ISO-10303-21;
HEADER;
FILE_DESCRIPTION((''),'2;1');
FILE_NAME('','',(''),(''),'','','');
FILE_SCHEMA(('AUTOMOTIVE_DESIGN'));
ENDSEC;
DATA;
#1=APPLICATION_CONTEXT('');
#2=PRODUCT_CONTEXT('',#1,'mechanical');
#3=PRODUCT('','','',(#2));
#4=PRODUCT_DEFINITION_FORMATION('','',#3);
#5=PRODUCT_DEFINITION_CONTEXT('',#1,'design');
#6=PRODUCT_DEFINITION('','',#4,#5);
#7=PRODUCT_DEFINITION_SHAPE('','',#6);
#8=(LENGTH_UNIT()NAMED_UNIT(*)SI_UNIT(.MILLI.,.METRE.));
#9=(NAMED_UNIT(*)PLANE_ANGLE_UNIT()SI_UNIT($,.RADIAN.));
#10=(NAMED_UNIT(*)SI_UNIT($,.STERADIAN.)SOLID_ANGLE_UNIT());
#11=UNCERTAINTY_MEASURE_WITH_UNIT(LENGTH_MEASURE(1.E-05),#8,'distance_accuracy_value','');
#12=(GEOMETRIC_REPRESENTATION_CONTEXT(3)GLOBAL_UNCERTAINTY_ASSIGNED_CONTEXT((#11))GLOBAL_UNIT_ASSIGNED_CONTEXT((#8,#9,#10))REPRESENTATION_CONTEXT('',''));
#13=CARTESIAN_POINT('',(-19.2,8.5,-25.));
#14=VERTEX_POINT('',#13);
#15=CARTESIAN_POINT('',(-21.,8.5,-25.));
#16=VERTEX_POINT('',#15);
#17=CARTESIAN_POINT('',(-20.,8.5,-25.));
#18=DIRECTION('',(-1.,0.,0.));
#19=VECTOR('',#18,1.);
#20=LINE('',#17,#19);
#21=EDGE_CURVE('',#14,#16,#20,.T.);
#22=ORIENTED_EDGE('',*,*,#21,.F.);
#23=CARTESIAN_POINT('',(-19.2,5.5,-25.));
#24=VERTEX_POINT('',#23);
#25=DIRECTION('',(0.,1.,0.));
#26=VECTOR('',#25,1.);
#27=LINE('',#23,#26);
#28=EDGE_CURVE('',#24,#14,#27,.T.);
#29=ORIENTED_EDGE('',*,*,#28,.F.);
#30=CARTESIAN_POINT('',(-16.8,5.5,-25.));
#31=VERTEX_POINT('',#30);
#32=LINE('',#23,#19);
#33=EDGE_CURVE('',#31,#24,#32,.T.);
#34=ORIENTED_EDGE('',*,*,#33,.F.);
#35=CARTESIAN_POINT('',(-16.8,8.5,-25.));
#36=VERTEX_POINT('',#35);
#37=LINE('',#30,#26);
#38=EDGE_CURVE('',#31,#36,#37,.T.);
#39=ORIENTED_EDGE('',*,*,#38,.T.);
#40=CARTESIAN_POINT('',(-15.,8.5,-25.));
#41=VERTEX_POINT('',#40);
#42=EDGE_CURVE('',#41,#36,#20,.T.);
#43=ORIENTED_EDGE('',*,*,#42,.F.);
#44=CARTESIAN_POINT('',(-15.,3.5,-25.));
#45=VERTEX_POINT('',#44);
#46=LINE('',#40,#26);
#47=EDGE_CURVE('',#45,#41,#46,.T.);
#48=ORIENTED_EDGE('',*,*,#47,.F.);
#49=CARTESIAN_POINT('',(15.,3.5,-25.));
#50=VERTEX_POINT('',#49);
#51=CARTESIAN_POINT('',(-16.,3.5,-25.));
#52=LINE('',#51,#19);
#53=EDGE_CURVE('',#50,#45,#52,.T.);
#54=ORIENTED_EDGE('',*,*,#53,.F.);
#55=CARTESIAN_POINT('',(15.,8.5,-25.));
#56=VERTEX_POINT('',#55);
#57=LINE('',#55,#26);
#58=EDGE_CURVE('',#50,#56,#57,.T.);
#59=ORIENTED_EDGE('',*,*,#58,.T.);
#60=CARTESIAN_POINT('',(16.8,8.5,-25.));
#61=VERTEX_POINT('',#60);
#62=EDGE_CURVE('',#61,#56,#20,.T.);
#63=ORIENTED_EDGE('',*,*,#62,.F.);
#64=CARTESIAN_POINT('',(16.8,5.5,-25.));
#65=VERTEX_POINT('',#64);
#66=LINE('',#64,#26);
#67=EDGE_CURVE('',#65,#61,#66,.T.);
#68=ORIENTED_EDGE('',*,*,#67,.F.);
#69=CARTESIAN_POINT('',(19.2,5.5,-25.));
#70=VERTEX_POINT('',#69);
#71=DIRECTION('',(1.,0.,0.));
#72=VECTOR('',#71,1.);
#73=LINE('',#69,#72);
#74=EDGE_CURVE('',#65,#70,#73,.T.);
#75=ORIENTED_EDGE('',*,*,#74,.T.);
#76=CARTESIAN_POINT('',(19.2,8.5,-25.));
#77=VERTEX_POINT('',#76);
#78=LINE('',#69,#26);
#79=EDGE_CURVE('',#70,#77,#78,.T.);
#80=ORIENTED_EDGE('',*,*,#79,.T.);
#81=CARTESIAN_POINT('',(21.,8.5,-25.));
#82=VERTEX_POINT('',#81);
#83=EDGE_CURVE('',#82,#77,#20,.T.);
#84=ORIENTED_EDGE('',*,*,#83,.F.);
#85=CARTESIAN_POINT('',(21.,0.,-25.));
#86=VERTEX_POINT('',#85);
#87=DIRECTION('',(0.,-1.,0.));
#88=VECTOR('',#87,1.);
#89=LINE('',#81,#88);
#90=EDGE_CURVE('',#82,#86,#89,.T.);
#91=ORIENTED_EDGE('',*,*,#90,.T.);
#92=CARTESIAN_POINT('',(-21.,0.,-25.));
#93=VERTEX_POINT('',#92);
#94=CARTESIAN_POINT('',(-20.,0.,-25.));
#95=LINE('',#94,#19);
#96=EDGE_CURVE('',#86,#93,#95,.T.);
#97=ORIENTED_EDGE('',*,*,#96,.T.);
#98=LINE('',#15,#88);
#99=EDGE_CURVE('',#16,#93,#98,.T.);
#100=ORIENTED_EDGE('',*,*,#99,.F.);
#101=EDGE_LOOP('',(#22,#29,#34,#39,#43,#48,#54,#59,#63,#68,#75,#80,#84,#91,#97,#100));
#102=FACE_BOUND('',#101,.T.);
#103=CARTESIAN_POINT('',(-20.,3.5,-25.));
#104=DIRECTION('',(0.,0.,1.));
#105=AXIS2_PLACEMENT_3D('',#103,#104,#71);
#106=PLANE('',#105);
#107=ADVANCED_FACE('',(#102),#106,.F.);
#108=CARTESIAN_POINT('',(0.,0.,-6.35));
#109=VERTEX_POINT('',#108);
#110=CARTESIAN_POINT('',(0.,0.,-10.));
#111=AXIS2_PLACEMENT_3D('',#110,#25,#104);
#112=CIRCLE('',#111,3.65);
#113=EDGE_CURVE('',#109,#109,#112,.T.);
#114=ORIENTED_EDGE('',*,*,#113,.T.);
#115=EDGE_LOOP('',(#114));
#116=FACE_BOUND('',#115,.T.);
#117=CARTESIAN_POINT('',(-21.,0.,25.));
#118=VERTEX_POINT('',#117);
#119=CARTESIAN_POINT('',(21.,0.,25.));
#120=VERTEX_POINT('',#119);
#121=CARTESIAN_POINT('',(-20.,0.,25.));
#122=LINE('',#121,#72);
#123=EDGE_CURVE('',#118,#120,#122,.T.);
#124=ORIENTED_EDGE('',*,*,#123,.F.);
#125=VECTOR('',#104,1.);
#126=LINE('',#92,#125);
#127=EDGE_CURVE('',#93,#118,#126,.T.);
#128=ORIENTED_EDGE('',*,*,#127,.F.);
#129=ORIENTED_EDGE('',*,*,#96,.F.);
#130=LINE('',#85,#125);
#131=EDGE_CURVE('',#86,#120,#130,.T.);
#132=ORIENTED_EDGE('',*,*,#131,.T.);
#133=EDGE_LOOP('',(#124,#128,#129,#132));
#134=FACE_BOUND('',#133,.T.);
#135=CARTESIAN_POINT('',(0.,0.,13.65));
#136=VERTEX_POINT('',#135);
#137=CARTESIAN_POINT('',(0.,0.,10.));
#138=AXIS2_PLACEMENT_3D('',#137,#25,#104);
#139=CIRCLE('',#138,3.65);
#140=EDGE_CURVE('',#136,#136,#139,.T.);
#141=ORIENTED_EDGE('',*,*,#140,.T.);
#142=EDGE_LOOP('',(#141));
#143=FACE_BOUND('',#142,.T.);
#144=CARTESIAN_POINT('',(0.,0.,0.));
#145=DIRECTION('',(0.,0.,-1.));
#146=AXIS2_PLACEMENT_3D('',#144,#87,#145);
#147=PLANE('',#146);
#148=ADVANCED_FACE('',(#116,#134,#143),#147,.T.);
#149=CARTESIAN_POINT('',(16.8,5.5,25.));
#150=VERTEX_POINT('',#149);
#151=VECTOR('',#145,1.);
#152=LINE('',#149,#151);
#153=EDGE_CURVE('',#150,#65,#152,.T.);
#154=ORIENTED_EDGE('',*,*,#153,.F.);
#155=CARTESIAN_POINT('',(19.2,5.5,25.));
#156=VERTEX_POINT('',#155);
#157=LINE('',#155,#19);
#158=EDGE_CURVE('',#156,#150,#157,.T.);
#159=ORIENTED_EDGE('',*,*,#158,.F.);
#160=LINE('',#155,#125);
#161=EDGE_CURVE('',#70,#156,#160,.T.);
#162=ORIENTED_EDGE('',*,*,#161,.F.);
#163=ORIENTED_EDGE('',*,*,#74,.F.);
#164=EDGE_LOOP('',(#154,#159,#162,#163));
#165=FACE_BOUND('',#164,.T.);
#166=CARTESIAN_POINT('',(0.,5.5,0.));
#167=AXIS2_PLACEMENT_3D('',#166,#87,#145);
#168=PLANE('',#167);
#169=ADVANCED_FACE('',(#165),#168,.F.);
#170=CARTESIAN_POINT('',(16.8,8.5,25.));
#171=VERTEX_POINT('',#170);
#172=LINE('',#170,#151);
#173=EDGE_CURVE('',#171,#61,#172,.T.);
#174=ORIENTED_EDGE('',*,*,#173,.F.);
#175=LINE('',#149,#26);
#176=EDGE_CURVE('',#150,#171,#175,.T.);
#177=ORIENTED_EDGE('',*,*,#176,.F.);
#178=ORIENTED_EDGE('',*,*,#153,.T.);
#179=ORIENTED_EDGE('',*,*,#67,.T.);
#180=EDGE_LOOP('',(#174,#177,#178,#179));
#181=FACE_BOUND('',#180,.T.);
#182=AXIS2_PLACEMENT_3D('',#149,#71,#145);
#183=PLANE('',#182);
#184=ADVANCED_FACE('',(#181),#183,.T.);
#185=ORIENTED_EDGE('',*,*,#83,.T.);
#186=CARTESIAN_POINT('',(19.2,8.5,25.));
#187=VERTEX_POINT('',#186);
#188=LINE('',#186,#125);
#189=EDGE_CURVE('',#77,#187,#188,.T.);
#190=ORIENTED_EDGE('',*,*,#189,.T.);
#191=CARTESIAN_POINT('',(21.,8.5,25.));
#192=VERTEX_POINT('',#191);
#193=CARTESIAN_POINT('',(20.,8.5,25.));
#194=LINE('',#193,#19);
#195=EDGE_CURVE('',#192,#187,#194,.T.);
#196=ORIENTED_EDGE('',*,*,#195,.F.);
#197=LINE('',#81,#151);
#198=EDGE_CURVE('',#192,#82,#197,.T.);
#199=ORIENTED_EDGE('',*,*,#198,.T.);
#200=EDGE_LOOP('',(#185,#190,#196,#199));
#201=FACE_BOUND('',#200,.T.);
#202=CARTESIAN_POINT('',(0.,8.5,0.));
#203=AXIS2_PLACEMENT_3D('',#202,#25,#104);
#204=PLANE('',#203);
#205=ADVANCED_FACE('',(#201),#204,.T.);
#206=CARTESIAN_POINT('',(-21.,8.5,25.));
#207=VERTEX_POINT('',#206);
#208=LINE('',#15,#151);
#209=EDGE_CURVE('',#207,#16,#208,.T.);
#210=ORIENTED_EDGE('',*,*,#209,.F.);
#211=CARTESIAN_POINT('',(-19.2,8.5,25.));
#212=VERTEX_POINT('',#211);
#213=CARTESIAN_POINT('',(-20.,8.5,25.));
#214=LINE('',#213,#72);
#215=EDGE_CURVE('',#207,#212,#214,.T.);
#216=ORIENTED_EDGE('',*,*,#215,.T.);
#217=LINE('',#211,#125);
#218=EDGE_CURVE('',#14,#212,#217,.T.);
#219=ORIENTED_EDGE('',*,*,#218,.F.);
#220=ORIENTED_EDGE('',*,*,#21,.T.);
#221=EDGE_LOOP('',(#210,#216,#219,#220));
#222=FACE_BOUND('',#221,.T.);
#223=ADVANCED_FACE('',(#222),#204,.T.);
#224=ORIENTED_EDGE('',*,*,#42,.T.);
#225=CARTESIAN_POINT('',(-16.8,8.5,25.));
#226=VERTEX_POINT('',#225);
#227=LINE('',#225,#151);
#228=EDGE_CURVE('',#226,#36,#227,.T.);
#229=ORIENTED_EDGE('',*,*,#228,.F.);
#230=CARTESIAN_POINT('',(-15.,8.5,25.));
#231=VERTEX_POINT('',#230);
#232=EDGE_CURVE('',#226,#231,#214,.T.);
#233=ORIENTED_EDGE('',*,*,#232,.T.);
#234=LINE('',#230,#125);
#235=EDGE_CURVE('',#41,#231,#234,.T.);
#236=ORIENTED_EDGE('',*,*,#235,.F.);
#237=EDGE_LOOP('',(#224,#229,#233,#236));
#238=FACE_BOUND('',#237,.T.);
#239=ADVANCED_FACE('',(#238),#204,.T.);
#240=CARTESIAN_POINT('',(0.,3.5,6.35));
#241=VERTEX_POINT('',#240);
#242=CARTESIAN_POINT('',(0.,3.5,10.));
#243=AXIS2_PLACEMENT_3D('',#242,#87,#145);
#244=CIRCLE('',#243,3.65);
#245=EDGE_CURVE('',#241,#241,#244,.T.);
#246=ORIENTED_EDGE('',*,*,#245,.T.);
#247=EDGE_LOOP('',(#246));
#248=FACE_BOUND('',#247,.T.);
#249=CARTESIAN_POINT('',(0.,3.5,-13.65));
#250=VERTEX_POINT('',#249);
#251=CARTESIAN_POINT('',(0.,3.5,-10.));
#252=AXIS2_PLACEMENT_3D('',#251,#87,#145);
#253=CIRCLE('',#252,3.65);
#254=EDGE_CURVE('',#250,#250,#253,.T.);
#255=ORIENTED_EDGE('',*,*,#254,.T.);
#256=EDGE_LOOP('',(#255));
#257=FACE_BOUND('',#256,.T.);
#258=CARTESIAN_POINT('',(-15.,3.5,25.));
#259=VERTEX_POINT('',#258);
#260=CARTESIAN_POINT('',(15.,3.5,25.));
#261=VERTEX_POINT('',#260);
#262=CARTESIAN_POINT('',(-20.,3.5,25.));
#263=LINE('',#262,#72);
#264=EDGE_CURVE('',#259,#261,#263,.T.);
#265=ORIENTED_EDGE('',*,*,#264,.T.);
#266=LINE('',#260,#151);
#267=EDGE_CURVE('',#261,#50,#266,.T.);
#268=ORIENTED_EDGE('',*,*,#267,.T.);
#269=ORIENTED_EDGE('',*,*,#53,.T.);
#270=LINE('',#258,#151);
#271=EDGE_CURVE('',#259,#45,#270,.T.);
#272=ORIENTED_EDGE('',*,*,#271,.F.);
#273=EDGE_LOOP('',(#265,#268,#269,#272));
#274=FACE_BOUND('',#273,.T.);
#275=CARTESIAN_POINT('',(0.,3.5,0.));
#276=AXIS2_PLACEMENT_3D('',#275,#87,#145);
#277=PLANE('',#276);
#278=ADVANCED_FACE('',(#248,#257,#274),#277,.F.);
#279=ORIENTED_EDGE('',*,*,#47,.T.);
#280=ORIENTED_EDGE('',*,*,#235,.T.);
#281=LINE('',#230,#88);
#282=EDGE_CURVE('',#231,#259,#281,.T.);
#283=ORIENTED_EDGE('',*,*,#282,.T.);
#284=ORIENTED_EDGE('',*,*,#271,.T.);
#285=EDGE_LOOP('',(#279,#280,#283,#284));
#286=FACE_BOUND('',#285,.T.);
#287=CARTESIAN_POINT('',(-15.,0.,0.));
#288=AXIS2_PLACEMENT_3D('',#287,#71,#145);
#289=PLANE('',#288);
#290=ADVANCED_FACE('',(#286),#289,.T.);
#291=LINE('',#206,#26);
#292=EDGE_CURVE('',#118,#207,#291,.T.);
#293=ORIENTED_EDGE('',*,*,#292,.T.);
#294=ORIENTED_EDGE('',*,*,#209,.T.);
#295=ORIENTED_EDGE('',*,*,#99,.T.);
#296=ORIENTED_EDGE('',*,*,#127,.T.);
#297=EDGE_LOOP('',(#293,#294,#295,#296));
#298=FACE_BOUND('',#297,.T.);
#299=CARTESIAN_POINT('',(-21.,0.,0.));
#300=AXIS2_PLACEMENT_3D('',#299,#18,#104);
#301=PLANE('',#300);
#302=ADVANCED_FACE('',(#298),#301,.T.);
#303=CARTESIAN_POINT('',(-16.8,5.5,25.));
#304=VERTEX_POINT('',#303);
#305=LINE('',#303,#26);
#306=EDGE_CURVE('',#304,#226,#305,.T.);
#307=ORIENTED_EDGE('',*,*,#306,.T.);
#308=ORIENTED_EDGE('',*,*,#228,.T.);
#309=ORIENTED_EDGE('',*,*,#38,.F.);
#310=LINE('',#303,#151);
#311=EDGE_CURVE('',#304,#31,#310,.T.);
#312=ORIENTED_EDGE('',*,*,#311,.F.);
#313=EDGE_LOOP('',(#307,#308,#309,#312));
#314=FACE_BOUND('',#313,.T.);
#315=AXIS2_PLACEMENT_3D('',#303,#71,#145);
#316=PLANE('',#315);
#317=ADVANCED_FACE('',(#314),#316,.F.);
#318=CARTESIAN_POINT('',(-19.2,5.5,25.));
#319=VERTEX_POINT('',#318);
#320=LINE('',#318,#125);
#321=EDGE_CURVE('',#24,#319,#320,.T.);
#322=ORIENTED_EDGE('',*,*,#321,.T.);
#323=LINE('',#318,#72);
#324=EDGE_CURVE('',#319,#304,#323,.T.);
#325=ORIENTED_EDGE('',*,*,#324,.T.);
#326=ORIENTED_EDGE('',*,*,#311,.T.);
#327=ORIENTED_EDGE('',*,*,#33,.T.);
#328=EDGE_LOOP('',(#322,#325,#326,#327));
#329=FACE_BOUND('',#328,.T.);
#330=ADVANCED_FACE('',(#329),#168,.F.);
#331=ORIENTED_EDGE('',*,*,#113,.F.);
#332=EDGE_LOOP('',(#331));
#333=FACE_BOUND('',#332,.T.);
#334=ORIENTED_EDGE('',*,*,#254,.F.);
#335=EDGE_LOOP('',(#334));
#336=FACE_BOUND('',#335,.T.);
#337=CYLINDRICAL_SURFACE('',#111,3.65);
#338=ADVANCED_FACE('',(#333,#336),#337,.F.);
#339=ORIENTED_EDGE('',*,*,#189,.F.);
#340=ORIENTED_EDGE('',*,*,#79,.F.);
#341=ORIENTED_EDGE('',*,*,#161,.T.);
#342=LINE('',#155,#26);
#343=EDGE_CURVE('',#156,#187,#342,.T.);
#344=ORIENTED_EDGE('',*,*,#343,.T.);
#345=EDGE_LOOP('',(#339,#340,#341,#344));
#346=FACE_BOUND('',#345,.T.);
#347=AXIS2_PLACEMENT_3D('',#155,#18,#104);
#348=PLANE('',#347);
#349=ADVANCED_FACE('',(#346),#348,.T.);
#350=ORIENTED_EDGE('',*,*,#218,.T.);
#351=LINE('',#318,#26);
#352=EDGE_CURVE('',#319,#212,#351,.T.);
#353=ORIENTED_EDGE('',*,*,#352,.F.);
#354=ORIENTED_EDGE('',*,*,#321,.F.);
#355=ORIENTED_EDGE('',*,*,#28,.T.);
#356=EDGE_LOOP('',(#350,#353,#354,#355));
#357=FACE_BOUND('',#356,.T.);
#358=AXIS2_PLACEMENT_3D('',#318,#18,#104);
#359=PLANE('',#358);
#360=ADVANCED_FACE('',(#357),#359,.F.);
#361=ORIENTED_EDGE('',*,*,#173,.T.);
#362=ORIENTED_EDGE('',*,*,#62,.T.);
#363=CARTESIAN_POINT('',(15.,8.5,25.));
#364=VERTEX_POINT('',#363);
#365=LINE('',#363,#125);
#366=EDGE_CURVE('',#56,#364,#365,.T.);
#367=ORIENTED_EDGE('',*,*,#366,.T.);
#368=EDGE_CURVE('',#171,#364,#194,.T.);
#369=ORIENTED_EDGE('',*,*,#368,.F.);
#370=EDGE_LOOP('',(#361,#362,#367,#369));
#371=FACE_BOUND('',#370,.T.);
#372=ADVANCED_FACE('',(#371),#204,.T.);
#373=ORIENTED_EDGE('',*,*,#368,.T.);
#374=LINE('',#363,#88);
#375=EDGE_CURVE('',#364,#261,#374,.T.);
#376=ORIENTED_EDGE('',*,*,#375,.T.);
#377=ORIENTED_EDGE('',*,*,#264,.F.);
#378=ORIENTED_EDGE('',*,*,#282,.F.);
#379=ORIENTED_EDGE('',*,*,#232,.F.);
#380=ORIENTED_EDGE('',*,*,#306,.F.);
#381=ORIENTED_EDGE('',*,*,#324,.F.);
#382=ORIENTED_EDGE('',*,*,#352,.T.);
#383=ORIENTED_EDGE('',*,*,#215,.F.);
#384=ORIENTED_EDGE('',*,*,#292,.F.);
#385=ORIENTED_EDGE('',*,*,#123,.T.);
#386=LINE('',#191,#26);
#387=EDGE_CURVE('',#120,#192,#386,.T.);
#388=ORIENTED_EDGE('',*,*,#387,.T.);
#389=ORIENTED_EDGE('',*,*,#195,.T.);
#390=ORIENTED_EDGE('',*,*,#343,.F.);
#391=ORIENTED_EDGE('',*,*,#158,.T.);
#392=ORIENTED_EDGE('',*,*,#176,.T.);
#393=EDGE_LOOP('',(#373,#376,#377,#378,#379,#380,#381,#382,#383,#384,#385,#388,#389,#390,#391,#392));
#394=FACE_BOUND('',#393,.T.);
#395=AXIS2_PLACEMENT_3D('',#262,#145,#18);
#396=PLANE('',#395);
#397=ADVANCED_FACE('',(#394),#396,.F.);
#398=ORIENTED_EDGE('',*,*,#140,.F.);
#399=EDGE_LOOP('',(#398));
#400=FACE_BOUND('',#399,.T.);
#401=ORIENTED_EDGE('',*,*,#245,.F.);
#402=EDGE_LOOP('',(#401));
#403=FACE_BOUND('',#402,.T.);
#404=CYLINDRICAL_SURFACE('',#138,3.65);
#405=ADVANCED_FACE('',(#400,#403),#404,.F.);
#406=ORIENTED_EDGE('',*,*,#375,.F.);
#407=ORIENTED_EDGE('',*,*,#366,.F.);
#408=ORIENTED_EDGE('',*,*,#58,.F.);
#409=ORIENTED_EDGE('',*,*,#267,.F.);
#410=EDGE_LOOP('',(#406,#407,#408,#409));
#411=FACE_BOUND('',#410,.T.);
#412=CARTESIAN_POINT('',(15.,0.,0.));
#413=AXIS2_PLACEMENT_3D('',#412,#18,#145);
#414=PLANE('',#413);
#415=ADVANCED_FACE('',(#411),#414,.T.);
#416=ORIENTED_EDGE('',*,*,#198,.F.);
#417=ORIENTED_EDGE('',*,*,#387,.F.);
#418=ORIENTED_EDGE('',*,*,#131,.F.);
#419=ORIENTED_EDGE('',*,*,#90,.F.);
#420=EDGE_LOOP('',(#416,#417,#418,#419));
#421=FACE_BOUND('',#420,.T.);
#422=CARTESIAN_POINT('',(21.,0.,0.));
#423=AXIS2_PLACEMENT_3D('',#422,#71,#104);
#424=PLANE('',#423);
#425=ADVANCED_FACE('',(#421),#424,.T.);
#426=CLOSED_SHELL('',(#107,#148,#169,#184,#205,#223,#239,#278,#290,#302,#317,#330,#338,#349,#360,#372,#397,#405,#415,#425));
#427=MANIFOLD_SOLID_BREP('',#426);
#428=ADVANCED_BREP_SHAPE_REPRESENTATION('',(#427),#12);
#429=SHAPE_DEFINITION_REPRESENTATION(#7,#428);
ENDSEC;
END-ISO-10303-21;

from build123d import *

# Parameters (mm, degrees)
SKETCH1_W               = 40
SKETCH1_H               = 50
BOSS_EXTRUDE1_DEPTH     = 3.5
SKETCH2_W               = 40
SKETCH2_H               = 4
BOSS_EXTRUDE2_DEPTH     = 5
SKETCH3_W               = 4
SKETCH3_H               = 46
BOSS_EXTRUDE3_DEPTH     = 5
SKETCH4_W               = 2.4
SKETCH4_H               = 50
CUT_EXTRUDE1_DEPTH      = 3
SKETCH18_W              = 50
SKETCH18_H              = 8.5
BOSS_EXTRUDE8_DEPTH     = 1
SKETCH19_R              = 3.65
CUT_EXTRUDE2_DEPTH      = 6
CUT_EXTRUDE2_DEPTH_BACK = 4.5
SKETCH20_W              = 32
SKETCH20_H              = 4
CUT_EXTRUDE3_DEPTH      = 5
SKETCH21_W              = 50
SKETCH21_H              = 5
BOSS_EXTRUDE9_DEPTH     = 1


with BuildPart() as part:
    # Sketch1 → Boss-Extrude1 (new body)
    with BuildSketch(Plane(origin=(0, 0, 0), x_dir=(1, 0, 0), z_dir=(0, 1, 0))):
        Rectangle(SKETCH1_W, SKETCH1_H)
    extrude(amount=BOSS_EXTRUDE1_DEPTH)

    # Sketch2 → Boss-Extrude2 (add)
    with BuildSketch(Plane(origin=(0, 3.5, 0), x_dir=(1, 0, 0), z_dir=(0, 1, 0))):
        with Locations((0, 23)):
            Rectangle(SKETCH2_W, SKETCH2_H)
    extrude(amount=BOSS_EXTRUDE2_DEPTH)

    # Sketch3 → Boss-Extrude3 (add)
    with BuildSketch(Plane(origin=(0, 3.5, 0), x_dir=(1, 0, 0), z_dir=(0, 1, 0))):
        with Locations((-18, -2)):
            Rectangle(SKETCH3_W, SKETCH3_H)
    boss_extrude3 = extrude(amount=BOSS_EXTRUDE3_DEPTH)

    # Sketch4 → Cut-Extrude1 (cut)
    with BuildSketch(Plane(origin=(0, 8.5, 0), x_dir=(1, 0, 0), z_dir=(0, 1, 0))):
        with Locations((-18, 0)):
            Rectangle(SKETCH4_W, SKETCH4_H)
    cut_extrude1 = extrude(amount=-CUT_EXTRUDE1_DEPTH, mode=Mode.SUBTRACT)

    # Mirror1: Boss-Extrude3, Cut-Extrude1 across plane
    add(boss_extrude3.mirror(Plane(origin=(0, 0, 0), x_dir=(0, 0, 1), z_dir=(1, 0, 0))))
    add(cut_extrude1.mirror(Plane(origin=(0, 0, 0), x_dir=(0, 0, 1), z_dir=(1, 0, 0))), mode=Mode.SUBTRACT)

    # Sketch18 → Boss-Extrude8 (add)
    with BuildSketch(Plane.ZY.offset(20)):
        with Locations((0, 4.25)):
            Rectangle(SKETCH18_W, SKETCH18_H)
    boss_extrude8 = extrude(amount=BOSS_EXTRUDE8_DEPTH)

    # Mirror5: Boss-Extrude8 across plane
    add(boss_extrude8.mirror(Plane(origin=(0, 0, 0), x_dir=(0, 0, 1), z_dir=(1, 0, 0))))

    # Sketch19 → Cut-Extrude2 (cut, two sides)
    with BuildSketch(Plane(origin=(0, 3.5, 0), x_dir=(1, 0, 0), z_dir=(0, 1, 0))) as cut_extrude2_sk:
        with Locations((0, -10)):
            Circle(SKETCH19_R)
        with Locations((0, 10)):
            Circle(SKETCH19_R)
    extrude(amount=CUT_EXTRUDE2_DEPTH, mode=Mode.SUBTRACT)
    extrude(cut_extrude2_sk.sketch, amount=-CUT_EXTRUDE2_DEPTH_BACK, mode=Mode.SUBTRACT)

    # Sketch20 → Cut-Extrude3 (cut)
    with BuildSketch(Plane(origin=(0, 8.5, 0), x_dir=(1, 0, 0), z_dir=(0, 1, 0))):
        with Locations((0, 23)):
            Rectangle(SKETCH20_W, SKETCH20_H)
    extrude(amount=-CUT_EXTRUDE3_DEPTH, mode=Mode.SUBTRACT)

    # Sketch21 → Boss-Extrude9 (add)
    with BuildSketch(Plane(origin=(-16, 0, 0), x_dir=(0, 0, -1), z_dir=(1, 0, 0))):
        with Locations((0, 6)):
            Rectangle(SKETCH21_W, SKETCH21_H)
    boss_extrude9 = extrude(amount=BOSS_EXTRUDE9_DEPTH)

    # Mirror6: Boss-Extrude9 across plane
    add(boss_extrude9.mirror(Plane(origin=(0, 0, 0), x_dir=(0, 0, 1), z_dir=(1, 0, 0))))


solid = part.part
